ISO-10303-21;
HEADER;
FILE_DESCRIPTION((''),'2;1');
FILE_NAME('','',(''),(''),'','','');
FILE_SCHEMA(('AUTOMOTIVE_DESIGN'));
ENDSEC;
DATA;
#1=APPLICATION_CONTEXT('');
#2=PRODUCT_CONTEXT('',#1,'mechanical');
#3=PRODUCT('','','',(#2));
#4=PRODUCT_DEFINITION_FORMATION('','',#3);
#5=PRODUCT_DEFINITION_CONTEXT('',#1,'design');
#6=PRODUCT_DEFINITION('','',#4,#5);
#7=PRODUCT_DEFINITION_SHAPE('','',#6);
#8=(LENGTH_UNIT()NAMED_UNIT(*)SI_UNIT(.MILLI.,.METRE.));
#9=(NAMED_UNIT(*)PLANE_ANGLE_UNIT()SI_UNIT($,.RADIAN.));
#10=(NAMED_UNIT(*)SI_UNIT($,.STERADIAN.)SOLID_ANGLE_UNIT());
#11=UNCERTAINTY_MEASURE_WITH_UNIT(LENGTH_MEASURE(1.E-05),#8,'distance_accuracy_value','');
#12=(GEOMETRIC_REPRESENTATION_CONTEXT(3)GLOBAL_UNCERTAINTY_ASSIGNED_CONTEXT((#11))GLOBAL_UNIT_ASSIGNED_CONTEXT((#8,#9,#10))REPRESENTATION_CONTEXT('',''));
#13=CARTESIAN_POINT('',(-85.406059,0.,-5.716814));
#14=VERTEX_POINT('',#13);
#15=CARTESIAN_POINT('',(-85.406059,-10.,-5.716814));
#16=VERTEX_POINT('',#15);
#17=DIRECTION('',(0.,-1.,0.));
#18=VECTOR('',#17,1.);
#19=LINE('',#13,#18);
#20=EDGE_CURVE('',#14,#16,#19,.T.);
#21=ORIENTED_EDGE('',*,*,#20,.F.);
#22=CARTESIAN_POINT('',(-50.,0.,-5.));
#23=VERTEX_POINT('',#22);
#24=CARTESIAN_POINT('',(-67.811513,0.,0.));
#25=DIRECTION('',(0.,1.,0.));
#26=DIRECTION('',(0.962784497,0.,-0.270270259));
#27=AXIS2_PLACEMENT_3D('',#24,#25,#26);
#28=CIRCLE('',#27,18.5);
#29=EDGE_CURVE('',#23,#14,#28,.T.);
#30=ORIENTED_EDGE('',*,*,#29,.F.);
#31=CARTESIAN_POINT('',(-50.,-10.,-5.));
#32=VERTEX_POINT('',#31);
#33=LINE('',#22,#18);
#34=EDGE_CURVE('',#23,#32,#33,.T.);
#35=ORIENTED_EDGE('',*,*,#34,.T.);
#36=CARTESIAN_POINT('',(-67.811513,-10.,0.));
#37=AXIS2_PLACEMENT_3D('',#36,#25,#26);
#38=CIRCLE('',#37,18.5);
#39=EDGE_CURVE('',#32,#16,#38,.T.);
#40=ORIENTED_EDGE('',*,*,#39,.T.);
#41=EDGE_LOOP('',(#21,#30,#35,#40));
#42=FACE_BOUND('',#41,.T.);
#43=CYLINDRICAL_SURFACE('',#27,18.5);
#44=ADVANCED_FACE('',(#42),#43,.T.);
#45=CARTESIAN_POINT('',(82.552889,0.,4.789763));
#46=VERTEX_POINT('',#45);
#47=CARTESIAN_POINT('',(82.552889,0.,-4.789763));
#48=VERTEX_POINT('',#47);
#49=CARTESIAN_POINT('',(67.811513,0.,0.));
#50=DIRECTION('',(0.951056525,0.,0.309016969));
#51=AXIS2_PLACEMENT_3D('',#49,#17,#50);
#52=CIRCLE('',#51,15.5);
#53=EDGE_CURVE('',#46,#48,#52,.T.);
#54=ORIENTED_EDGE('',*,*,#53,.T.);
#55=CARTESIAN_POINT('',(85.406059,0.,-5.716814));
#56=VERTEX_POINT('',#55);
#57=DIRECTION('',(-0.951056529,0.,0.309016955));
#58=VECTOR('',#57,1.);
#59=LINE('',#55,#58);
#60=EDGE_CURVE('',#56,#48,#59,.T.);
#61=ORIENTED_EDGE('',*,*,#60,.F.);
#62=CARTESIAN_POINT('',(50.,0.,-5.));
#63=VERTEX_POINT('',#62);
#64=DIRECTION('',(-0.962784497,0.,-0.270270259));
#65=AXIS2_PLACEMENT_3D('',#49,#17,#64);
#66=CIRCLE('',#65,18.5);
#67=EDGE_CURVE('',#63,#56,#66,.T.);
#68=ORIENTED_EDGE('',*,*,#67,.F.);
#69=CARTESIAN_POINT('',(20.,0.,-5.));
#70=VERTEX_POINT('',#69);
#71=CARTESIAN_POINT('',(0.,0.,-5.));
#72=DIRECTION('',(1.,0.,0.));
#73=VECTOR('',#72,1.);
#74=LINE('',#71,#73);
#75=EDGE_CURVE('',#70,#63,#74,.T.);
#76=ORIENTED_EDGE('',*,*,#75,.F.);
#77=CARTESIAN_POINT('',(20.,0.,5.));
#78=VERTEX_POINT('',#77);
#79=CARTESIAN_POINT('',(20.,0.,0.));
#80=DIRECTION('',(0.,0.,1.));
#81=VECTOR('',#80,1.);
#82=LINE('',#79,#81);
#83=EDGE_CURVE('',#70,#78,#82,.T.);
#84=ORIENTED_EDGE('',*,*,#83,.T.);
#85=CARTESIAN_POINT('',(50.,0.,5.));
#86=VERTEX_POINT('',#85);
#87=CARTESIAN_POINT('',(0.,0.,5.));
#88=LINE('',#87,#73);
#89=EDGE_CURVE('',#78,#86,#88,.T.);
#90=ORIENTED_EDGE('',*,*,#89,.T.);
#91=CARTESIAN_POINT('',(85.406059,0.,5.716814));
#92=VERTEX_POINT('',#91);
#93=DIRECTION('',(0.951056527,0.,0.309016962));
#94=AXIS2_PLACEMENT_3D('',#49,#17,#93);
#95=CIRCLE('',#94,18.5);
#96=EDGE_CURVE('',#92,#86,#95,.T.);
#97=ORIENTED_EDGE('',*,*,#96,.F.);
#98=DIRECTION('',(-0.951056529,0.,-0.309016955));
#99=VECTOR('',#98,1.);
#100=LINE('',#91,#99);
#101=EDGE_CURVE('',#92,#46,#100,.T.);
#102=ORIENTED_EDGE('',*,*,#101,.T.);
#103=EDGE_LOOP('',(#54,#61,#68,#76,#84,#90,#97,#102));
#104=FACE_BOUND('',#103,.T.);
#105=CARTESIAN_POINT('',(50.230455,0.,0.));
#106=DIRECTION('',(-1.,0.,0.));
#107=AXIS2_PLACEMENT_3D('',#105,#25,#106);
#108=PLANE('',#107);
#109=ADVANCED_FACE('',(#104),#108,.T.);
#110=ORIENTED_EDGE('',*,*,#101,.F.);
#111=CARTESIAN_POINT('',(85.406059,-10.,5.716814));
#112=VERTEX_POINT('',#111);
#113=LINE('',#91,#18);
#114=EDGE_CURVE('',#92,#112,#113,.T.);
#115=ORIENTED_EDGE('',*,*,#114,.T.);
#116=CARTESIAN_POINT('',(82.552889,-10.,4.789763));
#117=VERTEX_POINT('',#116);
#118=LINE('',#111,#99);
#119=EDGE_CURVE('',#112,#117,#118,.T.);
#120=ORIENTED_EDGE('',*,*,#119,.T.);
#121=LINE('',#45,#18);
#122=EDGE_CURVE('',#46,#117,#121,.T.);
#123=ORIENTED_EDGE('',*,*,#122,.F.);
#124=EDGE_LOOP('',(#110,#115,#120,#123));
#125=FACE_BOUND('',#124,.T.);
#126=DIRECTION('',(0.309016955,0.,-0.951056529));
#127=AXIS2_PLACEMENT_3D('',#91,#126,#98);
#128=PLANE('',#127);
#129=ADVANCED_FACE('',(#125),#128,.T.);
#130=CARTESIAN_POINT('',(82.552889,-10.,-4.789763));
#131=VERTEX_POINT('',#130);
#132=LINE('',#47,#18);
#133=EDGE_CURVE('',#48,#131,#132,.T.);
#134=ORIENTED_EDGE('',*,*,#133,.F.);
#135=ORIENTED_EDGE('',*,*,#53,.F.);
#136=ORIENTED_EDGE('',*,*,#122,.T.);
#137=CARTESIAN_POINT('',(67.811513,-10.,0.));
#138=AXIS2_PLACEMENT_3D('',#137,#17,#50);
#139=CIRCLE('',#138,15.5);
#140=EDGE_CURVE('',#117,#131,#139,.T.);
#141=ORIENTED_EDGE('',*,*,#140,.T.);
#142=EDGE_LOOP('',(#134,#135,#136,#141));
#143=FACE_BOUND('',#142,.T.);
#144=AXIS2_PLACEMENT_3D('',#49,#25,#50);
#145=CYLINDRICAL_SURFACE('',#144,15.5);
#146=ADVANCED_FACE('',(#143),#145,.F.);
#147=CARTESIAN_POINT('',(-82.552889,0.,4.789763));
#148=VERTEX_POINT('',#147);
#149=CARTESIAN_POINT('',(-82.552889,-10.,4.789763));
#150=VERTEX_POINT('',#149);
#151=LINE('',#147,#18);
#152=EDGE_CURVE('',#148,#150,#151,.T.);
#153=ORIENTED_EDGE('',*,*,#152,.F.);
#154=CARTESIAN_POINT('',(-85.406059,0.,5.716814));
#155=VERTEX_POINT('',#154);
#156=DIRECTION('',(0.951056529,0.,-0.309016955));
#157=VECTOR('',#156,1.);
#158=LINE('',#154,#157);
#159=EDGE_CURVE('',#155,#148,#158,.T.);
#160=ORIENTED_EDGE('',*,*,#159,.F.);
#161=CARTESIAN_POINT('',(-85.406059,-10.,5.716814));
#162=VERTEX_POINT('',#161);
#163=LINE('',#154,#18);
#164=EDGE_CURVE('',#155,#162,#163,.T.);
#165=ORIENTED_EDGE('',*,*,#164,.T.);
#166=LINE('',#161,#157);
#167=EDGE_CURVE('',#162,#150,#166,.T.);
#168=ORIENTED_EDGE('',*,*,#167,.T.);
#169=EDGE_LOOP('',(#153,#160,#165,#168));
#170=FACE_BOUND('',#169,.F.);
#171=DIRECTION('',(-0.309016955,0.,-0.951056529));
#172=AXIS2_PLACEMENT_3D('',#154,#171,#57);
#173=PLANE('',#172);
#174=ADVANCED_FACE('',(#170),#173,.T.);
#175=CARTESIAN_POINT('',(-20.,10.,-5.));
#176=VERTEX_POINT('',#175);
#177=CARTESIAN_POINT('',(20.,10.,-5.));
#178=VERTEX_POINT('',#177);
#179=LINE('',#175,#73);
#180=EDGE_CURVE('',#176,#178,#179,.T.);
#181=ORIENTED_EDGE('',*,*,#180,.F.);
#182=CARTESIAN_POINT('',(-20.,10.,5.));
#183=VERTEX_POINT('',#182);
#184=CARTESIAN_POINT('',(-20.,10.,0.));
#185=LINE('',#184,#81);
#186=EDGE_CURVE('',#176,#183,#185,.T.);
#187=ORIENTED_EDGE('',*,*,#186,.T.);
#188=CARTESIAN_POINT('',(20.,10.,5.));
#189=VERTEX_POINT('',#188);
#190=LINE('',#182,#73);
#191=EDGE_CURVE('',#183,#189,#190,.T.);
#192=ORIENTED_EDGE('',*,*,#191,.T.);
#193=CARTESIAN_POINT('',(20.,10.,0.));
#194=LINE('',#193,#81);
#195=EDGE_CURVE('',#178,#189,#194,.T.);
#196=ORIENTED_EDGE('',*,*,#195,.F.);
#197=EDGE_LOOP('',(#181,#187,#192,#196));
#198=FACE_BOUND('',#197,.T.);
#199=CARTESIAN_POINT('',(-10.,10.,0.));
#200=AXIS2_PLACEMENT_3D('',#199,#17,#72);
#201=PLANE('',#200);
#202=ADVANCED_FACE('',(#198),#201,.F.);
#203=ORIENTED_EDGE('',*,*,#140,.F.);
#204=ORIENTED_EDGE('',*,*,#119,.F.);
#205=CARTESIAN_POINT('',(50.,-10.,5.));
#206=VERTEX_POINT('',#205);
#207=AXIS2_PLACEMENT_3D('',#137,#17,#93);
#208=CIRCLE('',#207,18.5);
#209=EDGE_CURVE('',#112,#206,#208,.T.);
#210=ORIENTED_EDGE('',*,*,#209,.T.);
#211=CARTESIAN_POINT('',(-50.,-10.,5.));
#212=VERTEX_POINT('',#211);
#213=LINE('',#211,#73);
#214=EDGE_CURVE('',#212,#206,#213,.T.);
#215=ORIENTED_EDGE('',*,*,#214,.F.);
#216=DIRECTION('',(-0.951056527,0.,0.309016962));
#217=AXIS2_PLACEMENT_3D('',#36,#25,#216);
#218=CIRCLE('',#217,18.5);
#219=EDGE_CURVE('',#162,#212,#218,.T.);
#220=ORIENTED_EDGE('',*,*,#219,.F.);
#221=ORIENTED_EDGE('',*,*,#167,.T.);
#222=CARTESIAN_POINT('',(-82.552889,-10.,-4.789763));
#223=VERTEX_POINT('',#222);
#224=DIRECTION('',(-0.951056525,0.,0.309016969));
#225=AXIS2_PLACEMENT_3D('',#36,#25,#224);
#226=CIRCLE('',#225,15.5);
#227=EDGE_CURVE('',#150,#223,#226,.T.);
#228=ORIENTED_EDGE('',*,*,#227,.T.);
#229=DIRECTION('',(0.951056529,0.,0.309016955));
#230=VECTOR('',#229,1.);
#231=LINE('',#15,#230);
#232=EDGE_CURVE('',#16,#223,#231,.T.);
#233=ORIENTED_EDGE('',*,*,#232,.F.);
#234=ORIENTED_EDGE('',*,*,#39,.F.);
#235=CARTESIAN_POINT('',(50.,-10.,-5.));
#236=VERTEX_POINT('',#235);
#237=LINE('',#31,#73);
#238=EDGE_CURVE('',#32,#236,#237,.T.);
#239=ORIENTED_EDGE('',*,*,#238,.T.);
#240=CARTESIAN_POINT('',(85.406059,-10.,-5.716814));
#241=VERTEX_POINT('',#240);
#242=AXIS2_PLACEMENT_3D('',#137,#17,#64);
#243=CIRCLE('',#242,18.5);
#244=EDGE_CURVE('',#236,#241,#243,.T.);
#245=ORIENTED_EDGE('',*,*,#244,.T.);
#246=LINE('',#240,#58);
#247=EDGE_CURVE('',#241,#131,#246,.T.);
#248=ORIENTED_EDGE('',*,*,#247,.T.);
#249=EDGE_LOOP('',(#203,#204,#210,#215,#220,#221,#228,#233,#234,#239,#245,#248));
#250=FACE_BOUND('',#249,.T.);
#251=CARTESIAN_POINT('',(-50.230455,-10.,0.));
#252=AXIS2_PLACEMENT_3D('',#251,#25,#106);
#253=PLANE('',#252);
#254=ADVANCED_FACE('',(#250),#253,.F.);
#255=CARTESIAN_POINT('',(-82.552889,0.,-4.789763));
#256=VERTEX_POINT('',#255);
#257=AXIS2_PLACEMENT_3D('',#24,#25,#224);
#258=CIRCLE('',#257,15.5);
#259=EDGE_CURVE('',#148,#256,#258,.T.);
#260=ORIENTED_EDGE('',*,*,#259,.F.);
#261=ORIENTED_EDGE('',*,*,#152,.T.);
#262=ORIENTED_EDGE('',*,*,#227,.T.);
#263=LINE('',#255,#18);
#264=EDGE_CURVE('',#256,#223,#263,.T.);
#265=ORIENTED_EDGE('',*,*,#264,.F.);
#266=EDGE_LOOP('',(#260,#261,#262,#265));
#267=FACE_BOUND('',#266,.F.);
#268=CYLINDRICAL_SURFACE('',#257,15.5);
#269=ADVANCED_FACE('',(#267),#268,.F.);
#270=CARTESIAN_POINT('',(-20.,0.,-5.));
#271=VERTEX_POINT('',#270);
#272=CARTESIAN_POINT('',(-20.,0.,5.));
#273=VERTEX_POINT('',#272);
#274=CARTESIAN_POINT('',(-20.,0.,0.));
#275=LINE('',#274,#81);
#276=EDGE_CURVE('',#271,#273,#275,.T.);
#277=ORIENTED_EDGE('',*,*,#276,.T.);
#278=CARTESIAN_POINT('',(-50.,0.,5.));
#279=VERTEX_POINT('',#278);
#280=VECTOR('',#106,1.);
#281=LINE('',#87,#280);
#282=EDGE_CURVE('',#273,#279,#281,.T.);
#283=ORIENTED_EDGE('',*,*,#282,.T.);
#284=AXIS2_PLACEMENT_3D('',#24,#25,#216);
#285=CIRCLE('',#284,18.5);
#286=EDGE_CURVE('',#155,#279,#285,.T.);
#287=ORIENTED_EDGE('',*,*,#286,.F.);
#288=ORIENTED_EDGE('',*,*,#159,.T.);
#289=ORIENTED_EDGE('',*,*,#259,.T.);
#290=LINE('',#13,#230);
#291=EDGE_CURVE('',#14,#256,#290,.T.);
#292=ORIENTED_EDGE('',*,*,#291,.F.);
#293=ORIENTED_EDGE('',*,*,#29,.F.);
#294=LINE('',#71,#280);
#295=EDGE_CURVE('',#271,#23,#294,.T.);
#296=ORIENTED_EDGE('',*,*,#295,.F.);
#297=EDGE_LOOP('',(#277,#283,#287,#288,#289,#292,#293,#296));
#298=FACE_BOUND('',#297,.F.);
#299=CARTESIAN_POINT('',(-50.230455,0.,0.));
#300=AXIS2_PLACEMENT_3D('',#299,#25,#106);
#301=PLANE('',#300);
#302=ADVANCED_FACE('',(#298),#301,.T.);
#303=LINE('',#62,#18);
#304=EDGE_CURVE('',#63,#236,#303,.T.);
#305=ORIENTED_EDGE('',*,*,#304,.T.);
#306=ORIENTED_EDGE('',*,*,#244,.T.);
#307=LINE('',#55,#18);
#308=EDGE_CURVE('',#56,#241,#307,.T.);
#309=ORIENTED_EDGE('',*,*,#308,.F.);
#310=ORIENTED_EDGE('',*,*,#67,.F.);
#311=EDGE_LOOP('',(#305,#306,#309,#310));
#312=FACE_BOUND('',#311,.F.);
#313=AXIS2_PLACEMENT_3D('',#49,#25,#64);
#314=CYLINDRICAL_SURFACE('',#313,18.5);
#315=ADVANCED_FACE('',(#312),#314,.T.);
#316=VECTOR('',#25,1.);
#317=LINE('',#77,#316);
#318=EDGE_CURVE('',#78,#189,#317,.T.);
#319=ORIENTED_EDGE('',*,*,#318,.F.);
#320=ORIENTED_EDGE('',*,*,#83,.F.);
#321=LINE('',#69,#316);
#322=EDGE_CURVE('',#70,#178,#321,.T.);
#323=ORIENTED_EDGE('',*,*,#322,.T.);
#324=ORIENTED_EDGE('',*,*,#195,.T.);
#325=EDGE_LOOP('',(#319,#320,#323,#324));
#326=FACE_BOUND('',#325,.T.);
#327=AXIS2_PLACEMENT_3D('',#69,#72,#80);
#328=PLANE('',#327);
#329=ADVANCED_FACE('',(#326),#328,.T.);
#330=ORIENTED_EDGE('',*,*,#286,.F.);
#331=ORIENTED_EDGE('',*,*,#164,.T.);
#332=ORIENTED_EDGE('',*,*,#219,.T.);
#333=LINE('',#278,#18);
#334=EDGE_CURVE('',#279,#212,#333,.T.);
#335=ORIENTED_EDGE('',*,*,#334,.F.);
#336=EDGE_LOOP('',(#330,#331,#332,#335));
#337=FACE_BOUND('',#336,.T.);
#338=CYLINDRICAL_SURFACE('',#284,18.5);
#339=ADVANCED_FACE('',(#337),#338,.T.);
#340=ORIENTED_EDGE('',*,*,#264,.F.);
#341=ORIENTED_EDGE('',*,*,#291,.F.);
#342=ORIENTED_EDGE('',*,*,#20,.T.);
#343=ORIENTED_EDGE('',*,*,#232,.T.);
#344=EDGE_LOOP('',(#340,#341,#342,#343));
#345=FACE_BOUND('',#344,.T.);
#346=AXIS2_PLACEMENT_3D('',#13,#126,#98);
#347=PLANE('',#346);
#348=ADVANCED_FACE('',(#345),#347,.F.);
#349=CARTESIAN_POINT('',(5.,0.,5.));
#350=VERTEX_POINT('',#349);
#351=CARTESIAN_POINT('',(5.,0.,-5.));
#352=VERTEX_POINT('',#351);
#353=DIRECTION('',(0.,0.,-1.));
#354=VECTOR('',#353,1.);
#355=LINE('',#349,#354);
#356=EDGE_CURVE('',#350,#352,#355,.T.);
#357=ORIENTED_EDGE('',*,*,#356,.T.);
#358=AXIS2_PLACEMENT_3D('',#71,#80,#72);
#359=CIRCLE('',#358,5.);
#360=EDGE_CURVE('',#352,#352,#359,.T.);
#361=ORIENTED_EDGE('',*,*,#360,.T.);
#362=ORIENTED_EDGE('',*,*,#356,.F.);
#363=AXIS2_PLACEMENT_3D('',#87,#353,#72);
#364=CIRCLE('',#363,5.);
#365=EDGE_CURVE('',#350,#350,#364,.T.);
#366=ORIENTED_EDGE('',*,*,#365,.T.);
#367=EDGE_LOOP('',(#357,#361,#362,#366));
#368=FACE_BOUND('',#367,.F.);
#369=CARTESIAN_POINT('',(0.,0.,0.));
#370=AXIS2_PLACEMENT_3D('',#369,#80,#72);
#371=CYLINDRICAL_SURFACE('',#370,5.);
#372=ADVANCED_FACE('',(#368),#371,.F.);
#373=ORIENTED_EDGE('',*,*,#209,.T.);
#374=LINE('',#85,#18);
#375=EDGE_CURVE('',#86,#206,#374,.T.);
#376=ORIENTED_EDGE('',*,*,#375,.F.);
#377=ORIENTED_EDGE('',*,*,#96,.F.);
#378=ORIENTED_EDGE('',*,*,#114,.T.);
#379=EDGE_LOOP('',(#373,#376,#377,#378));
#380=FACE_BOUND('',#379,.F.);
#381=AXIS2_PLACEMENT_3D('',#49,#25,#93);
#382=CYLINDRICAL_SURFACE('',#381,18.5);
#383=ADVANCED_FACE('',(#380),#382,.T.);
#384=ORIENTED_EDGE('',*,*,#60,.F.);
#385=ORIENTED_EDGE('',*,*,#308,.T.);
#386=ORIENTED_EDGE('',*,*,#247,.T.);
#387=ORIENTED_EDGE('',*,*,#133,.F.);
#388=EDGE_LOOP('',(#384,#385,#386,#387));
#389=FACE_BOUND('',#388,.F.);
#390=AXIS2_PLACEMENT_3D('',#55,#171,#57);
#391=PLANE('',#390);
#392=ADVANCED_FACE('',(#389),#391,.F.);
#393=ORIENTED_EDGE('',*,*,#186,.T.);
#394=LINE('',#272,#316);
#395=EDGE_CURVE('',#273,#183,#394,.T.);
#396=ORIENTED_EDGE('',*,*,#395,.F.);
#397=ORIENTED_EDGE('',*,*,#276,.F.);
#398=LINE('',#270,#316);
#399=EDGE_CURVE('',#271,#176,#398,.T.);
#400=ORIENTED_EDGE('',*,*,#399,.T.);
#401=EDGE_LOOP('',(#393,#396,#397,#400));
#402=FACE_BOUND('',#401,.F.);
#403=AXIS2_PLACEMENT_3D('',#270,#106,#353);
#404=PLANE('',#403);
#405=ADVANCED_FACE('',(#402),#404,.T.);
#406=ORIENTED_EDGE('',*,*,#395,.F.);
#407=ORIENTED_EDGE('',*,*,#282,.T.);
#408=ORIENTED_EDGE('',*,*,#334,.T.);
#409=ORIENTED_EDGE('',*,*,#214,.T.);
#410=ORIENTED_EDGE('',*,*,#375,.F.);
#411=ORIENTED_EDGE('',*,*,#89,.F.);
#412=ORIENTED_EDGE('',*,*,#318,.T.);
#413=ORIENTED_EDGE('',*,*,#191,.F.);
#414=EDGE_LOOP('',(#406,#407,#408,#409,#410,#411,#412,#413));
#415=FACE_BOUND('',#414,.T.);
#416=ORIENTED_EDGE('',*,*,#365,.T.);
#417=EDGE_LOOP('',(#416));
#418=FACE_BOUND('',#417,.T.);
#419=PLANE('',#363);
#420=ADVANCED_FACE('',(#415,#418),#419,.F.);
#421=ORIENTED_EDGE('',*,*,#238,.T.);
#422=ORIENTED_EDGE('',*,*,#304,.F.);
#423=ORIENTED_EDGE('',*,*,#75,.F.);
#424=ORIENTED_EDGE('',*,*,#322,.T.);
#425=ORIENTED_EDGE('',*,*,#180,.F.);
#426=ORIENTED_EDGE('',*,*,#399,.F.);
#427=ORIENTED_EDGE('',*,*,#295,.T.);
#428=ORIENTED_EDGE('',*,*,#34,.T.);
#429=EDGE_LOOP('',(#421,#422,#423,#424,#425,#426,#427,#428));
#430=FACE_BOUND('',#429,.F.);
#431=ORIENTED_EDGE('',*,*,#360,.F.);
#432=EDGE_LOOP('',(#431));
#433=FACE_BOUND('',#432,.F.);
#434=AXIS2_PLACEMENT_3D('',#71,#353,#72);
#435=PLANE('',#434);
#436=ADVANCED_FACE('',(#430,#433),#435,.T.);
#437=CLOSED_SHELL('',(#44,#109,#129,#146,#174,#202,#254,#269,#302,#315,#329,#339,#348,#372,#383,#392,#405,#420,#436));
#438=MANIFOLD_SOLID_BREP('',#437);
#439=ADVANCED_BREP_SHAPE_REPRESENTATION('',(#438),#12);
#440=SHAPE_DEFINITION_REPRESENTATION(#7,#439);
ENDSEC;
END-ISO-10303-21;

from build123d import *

# Parameters (mm, degrees)
PAD_DEPTH         = 10
SKETCH001_W       = 20
SKETCH001_H       = 10
PAD001_DEPTH      = 10
SKETCH002_R       = 5
POCKET_DEPTH      = 18.501
POCKET_DEPTH_BACK = -18.501


with BuildPart() as part:
    # Sketch → Pad (new body)
    with BuildSketch(Plane.XZ):
        with BuildLine():
            Line((0, 5), (50, 5))
            ThreePointArc((85.406059, 5.716814), (67.437048, 18.49621), (50, 5))
            Line((85.406059, 5.716814), (82.552889, 4.789763))
            ThreePointArc((82.552889, 4.789763), (52.311513, 0), (82.552889, -4.789763))
            Line((85.406059, -5.716814), (82.552889, -4.789763))
            ThreePointArc((50, -5), (67.437048, -18.49621), (85.406059, -5.716814))
            Line((0, -5), (50, -5))
            Line((0, 5), (0, -5))
        make_face()
    pad = extrude(amount=PAD_DEPTH)

    # Sketch001 → Pad001 (join)
    with BuildSketch(Plane.XZ):
        with Locations((10, 0)):
            Rectangle(SKETCH001_W, SKETCH001_H)
    pad001 = extrude(amount=-PAD001_DEPTH)

    # Mirrored: Pad, Pad001 across Sketch V_Axis
    add(pad.mirror(Plane(origin=(0, 0, 0), x_dir=(0, -1, 0), z_dir=(1, 0, 0))))
    add(pad001.mirror(Plane(origin=(0, 0, 0), x_dir=(0, -1, 0), z_dir=(1, 0, 0))))

    # Sketch002 → Pocket (cut, two sides)
    with BuildSketch(Plane.XY) as pocket_sk:
        Circle(SKETCH002_R)
    extrude(amount=-POCKET_DEPTH, mode=Mode.SUBTRACT)
    extrude(pocket_sk.sketch, amount=-POCKET_DEPTH_BACK, mode=Mode.SUBTRACT)


solid = part.part
